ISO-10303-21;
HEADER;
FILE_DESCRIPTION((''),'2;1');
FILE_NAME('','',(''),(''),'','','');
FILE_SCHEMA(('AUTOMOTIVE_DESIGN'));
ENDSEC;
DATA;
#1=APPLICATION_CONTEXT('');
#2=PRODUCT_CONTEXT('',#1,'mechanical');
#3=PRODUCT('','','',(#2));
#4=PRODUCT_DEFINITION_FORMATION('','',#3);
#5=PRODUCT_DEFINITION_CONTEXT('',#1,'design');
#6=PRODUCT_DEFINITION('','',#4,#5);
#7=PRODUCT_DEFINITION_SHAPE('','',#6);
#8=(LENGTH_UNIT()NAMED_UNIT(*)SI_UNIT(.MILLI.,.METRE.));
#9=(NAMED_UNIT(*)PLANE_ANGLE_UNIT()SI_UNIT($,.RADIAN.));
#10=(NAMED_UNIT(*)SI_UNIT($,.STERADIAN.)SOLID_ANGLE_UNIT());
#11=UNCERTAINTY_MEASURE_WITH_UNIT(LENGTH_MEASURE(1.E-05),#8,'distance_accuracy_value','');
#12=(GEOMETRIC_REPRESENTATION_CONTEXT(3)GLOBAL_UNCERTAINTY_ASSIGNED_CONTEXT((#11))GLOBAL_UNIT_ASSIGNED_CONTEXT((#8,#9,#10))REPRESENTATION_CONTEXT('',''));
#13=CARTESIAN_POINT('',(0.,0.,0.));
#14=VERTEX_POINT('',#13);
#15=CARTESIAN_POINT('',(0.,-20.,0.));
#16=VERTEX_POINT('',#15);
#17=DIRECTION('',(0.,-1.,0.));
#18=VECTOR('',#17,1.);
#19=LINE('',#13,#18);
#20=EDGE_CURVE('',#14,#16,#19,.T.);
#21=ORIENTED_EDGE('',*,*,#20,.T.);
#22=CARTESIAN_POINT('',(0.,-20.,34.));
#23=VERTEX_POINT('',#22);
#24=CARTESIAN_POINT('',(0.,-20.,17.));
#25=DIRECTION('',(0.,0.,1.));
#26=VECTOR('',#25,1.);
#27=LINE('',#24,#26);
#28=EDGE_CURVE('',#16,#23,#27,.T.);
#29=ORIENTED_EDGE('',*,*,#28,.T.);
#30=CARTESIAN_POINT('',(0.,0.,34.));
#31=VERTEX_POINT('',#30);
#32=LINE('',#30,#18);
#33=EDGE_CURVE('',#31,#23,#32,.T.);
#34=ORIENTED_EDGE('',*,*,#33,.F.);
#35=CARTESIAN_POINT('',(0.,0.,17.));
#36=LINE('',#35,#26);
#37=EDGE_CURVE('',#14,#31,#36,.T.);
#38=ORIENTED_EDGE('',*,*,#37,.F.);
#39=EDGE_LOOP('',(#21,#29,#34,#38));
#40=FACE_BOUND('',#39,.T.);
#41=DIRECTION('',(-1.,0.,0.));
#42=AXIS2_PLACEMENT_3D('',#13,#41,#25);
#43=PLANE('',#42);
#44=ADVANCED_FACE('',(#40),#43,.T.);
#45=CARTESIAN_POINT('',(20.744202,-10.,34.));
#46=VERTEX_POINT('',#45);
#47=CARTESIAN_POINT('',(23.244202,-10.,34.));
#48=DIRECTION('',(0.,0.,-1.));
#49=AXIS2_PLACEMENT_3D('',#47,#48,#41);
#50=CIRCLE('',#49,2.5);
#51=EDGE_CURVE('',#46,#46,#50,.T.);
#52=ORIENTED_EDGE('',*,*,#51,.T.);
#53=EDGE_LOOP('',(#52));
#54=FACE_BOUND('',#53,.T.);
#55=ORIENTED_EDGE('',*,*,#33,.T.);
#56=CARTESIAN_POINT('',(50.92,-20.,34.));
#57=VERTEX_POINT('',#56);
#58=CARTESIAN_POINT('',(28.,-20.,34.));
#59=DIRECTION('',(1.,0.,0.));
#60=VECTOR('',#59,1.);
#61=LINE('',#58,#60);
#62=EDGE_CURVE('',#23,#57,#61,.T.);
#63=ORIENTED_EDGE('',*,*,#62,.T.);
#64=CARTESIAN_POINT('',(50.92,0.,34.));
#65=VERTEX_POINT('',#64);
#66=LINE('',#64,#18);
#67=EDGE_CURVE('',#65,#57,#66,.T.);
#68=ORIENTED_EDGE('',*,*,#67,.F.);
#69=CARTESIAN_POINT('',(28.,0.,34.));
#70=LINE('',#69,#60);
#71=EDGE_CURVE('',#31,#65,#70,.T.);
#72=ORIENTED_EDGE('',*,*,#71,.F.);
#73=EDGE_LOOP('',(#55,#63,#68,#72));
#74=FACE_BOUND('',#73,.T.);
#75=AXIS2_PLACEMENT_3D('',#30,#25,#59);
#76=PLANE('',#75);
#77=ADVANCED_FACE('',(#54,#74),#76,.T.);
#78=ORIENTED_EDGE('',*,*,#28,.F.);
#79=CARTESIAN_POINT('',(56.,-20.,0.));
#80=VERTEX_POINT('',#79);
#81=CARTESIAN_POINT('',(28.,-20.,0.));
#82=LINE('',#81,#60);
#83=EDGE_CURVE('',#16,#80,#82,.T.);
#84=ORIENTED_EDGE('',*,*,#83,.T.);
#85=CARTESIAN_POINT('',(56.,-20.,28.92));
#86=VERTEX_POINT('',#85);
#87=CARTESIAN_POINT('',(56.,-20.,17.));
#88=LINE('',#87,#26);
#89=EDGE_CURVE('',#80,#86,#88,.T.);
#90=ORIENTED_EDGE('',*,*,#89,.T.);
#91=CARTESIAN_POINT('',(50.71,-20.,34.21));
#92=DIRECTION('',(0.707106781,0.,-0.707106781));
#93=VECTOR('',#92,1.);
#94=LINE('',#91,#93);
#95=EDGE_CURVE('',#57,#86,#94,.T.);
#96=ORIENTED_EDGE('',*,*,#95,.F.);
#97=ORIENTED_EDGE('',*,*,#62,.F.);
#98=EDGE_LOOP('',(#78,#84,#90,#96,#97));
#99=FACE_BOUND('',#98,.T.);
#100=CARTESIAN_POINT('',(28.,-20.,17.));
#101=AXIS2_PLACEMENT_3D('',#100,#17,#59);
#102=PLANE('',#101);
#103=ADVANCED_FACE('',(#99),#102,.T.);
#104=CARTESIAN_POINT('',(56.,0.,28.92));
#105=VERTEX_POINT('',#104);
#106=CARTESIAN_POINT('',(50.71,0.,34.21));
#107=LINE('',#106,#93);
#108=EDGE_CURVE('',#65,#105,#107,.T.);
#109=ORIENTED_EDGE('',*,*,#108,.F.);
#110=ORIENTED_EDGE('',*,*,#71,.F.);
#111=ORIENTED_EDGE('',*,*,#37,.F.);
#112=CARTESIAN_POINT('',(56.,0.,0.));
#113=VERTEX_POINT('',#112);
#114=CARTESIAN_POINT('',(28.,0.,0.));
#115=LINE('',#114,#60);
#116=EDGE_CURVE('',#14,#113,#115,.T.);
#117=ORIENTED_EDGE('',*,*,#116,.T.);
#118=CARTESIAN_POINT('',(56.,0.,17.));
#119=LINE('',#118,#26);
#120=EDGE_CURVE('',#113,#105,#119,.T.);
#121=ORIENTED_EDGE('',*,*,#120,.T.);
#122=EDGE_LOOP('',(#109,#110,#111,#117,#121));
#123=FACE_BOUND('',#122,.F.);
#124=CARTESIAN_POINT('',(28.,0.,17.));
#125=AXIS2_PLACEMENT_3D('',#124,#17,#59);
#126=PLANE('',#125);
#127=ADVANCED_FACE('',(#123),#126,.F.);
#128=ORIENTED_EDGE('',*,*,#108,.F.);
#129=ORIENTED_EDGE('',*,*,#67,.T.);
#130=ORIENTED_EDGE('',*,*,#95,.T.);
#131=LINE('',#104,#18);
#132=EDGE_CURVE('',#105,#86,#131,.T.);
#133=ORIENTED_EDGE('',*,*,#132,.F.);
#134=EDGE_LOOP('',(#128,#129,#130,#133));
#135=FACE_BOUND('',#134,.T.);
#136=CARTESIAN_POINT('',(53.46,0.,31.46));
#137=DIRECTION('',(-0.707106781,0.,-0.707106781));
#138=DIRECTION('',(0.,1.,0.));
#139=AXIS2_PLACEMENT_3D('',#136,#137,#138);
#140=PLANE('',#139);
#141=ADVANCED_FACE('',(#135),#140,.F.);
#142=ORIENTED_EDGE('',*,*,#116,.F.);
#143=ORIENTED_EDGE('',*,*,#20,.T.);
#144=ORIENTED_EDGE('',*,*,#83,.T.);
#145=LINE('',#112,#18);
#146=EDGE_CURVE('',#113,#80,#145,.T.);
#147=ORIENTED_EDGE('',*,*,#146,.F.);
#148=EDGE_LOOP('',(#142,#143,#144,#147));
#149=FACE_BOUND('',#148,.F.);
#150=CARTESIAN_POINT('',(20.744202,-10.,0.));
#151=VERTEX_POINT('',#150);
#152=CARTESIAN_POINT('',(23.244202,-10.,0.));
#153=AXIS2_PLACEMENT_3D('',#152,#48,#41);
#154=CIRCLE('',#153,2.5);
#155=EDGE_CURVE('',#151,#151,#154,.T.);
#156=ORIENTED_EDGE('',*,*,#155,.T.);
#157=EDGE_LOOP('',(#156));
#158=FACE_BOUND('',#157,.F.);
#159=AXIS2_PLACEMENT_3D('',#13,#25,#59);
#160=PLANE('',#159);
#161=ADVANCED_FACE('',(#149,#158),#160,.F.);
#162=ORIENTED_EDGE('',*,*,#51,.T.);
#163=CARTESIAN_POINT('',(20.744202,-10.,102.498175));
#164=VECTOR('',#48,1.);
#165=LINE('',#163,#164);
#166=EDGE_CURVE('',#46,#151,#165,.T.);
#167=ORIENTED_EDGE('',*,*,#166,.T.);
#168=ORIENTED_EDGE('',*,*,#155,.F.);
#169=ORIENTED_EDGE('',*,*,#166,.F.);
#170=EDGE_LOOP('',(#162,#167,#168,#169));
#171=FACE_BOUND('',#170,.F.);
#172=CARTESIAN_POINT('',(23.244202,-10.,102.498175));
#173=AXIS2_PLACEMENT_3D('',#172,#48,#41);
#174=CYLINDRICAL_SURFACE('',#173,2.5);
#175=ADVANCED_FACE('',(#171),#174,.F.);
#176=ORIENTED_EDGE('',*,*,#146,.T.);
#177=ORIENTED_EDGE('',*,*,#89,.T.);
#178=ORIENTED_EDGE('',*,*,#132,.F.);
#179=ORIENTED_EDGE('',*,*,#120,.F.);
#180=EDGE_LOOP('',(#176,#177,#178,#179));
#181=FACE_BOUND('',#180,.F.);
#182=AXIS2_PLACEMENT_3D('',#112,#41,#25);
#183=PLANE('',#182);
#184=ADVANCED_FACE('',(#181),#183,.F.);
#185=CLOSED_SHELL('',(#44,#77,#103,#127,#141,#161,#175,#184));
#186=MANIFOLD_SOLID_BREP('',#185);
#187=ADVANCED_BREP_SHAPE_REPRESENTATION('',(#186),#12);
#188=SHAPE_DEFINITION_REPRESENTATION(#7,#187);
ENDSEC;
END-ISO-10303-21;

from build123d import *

# Parameters (mm, degrees)
F0_W     = 56
F0_H     = 34
F1_DEPTH = 20
F3_D     = 5
F4_SIZE  = 5.08


with BuildPart() as f1:
    # F0 (on Front) → F1 (new body)
    with BuildSketch(Plane.XZ):
        with Locations((28, 17)):
            Rectangle(F0_W, F0_H)
    extrude(amount=F1_DEPTH)

    # F3 (through all)
    with Locations(Plane.XY.offset(34)):
        with Locations((23.244202, -10)):
            Hole(F3_D / 2)

    # F4
    f4_edges = [f1.edges().sort_by_distance(p)[0] for p in [
        (56, -10, 34),
    ]]
    chamfer(f4_edges, length=F4_SIZE)


solid = f1.part
